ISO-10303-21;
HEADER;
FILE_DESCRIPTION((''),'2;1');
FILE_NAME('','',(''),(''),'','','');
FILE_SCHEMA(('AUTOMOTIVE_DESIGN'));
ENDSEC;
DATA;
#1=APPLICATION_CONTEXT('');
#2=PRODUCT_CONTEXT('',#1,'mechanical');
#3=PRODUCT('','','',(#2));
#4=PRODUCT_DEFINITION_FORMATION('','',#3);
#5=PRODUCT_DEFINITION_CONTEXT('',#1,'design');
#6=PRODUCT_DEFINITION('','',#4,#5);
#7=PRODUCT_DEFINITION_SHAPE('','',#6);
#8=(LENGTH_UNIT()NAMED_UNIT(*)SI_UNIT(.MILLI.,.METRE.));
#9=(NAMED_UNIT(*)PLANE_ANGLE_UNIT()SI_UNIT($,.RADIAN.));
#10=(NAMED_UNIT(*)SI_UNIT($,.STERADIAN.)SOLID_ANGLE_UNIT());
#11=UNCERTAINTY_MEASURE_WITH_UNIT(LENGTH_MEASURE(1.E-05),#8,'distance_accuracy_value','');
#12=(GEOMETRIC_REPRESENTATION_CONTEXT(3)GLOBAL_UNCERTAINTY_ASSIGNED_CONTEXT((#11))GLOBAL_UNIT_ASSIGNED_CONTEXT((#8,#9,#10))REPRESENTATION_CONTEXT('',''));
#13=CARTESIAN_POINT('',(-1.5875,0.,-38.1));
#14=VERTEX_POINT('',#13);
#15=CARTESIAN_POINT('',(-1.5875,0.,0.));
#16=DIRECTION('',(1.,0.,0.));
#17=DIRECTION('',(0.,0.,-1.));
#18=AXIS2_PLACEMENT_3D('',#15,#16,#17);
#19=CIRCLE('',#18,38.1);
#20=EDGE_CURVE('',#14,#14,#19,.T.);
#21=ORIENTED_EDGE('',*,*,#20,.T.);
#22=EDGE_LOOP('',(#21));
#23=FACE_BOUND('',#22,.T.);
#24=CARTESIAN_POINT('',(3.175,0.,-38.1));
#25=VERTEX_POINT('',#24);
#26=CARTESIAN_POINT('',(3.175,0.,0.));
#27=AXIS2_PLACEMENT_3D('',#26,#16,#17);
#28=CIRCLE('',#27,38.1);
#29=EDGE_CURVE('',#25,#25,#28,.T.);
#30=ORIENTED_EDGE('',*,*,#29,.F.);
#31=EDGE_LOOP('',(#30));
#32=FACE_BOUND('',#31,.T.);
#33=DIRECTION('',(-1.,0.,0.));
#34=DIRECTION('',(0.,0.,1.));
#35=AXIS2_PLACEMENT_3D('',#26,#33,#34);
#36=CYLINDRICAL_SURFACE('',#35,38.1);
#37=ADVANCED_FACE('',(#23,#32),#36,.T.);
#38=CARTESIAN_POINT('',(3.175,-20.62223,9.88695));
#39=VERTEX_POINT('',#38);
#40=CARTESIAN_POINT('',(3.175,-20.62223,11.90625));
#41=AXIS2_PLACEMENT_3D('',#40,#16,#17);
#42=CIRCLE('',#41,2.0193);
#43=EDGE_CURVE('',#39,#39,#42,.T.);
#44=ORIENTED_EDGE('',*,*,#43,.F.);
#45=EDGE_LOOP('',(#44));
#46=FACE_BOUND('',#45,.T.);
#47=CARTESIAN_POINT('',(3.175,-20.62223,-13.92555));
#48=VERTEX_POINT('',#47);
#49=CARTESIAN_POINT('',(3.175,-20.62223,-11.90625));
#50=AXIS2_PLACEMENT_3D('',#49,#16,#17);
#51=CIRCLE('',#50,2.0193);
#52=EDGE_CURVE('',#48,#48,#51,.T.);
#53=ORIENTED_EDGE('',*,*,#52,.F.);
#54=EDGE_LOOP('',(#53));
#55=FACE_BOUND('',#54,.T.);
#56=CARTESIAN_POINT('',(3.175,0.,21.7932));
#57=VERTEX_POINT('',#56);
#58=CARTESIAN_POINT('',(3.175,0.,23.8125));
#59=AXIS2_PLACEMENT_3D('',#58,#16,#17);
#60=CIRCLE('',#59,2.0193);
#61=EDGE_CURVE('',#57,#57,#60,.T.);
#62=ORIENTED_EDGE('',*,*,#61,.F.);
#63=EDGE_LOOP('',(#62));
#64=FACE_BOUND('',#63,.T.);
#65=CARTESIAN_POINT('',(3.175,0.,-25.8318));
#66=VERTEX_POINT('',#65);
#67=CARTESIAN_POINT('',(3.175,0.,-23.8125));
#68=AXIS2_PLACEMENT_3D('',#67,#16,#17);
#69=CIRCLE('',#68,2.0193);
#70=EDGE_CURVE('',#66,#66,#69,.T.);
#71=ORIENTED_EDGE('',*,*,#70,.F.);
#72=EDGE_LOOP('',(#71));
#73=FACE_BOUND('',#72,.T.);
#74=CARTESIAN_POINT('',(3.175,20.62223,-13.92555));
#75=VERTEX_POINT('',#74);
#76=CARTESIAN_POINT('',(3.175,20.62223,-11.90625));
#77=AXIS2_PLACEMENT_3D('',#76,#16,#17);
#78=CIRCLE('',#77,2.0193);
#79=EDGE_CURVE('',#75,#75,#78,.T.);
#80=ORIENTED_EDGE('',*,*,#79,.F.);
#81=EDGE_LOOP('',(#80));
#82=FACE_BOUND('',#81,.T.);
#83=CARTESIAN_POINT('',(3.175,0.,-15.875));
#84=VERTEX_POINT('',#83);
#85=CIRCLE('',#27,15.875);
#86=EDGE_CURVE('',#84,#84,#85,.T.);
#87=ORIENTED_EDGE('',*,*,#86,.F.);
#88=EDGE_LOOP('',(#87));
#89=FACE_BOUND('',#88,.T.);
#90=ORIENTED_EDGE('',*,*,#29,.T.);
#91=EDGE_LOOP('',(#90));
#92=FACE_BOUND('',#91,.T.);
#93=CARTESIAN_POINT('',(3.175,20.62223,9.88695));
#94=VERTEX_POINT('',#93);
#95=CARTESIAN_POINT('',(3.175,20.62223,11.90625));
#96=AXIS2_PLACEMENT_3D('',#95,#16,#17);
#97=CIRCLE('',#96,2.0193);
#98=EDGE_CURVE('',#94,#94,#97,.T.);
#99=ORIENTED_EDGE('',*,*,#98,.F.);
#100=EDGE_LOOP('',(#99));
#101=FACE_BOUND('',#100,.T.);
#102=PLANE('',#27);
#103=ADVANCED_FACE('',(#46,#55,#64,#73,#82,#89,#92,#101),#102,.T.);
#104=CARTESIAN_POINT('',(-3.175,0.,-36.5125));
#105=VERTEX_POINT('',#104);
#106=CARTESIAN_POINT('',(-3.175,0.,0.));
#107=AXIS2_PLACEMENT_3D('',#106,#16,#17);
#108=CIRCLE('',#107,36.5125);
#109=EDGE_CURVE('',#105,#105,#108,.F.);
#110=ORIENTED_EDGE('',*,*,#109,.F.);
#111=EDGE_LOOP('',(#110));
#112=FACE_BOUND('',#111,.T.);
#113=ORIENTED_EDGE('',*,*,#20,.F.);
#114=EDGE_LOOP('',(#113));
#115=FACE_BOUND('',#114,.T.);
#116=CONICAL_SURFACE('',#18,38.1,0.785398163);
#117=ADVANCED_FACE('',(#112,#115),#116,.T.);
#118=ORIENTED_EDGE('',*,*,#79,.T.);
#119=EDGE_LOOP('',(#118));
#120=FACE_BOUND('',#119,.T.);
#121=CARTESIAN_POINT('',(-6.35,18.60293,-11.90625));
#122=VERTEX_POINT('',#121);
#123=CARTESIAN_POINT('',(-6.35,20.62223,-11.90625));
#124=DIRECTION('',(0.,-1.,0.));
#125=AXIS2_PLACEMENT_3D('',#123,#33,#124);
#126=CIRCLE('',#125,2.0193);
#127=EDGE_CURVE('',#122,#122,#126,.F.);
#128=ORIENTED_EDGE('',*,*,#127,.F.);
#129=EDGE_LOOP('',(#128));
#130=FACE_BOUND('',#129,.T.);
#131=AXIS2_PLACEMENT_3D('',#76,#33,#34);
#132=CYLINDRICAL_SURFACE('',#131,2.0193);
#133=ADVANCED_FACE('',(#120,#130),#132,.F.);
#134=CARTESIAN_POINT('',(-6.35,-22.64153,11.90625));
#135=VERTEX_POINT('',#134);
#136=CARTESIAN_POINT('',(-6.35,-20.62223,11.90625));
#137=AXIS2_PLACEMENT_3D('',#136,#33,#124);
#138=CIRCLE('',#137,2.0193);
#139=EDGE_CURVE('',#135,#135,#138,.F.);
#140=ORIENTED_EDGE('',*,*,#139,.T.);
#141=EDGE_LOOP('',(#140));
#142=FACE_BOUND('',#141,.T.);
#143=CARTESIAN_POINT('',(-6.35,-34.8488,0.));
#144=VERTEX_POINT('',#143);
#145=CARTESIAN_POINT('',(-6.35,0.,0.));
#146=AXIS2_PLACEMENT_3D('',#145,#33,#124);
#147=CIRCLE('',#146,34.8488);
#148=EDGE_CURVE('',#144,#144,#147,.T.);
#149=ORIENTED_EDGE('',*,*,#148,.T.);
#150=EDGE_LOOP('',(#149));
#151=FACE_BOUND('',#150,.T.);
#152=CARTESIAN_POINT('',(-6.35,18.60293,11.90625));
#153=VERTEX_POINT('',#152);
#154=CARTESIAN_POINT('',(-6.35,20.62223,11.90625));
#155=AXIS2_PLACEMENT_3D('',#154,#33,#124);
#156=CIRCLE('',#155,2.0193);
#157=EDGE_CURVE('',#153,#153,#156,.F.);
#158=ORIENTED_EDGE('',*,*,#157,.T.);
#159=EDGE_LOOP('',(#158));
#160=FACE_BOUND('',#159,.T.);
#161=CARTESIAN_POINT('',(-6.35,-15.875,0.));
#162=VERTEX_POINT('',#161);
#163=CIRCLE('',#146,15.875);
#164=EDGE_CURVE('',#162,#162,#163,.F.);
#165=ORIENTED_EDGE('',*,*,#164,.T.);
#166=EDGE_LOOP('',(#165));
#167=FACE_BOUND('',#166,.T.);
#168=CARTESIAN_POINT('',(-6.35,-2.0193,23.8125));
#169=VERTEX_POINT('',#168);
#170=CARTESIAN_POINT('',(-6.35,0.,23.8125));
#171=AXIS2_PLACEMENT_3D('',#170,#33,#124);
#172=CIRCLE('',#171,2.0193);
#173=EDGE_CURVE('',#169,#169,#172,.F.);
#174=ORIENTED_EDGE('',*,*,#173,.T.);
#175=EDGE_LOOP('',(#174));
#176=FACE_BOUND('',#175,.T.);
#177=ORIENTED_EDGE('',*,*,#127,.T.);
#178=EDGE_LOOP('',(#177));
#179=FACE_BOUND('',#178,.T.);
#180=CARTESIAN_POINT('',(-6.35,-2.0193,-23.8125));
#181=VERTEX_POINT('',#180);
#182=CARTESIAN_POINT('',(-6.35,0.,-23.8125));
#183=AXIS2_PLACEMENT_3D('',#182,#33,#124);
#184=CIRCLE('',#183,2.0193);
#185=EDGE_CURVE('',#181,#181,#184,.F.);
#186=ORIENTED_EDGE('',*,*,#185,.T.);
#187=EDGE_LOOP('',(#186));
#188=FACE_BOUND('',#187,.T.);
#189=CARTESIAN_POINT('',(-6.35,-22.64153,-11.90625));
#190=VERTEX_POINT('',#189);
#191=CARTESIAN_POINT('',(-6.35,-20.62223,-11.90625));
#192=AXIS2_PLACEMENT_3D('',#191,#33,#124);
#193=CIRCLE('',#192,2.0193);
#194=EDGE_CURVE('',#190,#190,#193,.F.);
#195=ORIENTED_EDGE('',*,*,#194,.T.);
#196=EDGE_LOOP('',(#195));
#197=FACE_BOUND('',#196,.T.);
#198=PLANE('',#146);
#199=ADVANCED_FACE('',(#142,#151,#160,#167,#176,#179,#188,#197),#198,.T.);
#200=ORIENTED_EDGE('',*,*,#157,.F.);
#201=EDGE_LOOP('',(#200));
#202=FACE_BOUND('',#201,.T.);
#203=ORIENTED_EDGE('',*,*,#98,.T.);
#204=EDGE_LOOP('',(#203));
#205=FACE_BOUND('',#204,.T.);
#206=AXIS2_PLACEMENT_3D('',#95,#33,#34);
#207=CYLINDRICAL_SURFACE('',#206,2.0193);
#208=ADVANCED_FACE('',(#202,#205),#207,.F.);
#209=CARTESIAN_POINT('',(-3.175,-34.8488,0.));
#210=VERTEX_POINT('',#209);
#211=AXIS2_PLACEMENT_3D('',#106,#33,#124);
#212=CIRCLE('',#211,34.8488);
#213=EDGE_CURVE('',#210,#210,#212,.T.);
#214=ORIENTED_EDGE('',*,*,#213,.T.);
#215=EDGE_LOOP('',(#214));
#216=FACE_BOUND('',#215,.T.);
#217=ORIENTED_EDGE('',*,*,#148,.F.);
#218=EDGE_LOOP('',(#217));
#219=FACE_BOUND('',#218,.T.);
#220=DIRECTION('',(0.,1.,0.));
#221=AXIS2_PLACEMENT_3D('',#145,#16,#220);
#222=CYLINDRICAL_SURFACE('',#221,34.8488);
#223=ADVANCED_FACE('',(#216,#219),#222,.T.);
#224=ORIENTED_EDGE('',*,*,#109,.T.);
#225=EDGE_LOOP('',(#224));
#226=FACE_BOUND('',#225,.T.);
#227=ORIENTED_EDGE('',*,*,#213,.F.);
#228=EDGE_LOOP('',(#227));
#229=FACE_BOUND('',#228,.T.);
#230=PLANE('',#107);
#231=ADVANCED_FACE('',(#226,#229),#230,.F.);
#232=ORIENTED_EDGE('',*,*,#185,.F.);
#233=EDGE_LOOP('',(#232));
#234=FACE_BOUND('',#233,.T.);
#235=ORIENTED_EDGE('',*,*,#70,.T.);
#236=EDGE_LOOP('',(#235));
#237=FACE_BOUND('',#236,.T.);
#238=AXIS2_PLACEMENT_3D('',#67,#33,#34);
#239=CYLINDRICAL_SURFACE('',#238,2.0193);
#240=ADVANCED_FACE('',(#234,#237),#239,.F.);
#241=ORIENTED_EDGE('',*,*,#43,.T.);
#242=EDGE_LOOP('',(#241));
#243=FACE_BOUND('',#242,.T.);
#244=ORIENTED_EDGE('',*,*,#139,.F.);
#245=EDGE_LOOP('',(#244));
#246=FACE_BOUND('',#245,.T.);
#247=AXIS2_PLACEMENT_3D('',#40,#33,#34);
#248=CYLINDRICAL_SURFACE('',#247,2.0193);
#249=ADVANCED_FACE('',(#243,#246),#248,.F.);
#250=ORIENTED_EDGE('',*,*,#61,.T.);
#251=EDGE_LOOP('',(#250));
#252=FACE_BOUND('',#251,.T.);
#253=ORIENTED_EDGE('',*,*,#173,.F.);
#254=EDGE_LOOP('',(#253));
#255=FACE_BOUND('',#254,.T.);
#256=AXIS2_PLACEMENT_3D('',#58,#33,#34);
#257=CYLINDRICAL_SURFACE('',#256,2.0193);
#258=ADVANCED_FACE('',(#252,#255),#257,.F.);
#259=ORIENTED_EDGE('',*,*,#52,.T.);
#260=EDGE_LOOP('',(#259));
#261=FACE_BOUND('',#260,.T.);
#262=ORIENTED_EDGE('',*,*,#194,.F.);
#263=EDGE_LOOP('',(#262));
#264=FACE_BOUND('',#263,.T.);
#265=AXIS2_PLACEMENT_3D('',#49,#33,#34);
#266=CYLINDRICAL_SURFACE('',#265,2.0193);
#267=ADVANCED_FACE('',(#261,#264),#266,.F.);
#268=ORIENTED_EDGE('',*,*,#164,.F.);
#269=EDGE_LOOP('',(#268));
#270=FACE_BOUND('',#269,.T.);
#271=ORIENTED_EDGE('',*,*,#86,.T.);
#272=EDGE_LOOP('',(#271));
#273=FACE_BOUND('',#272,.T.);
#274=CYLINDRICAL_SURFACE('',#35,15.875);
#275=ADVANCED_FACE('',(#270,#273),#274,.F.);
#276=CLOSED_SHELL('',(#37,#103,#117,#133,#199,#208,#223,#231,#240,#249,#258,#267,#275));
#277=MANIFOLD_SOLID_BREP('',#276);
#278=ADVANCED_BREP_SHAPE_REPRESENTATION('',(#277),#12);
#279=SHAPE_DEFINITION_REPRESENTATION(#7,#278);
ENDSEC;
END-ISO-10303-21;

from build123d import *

# Parameters (mm, degrees)
SKETCH1_R           = 38.1
SKETCH1_R_2         = 15.875
SKETCH1_R_3         = 2.0193
BOSS_EXTRUDE1_DEPTH = 3.175
BOSS_EXTRUDE2_START = 3.175
SKETCH2_R           = 34.8488
SKETCH2_R_2         = 2.0193
SKETCH2_R_3         = 15.875
BOSS_EXTRUDE2_DEPTH = 3.175
CHAMFER1_SIZE       = 1.5875


with BuildPart() as part:
    # Sketch1 → Boss-Extrude1 (new, symmetric)
    with BuildSketch(Plane(origin=(0, 0, 0), x_dir=(0, 0, -1), z_dir=(1, 0, 0))):
        Circle(SKETCH1_R)
        Circle(SKETCH1_R_2, mode=Mode.SUBTRACT)
        with Locations((11.90625, 20.622229928)):
            Circle(SKETCH1_R_3, mode=Mode.SUBTRACT)
        with Locations((23.8125, 0)):
            Circle(SKETCH1_R_3, mode=Mode.SUBTRACT)
        with Locations((11.90625, -20.622229928)):
            Circle(SKETCH1_R_3, mode=Mode.SUBTRACT)
        with Locations((-11.90625, -20.622229928)):
            Circle(SKETCH1_R_3, mode=Mode.SUBTRACT)
        with Locations((-23.8125, 0)):
            Circle(SKETCH1_R_3, mode=Mode.SUBTRACT)
        with Locations((-11.90625, 20.622229928)):
            Circle(SKETCH1_R_3, mode=Mode.SUBTRACT)
    extrude(amount=BOSS_EXTRUDE1_DEPTH, both=True)

    # Sketch2 → Boss-Extrude2 (add)
    with BuildSketch(Plane.ZY.offset(3.175).offset(BOSS_EXTRUDE2_START)):
        with Locations(Location((0, 0, 0), (0, 0, 270))):
            Circle(SKETCH2_R)
        with Locations(Location((-11.90625, 20.622229928, 0), (0, 0, 270))):
            Circle(SKETCH2_R_2, mode=Mode.SUBTRACT)
        with Locations(Location((-11.90625, -20.622229928, 0), (0, 0, 270))):
            Circle(SKETCH2_R_2, mode=Mode.SUBTRACT)
        with Locations(Location((23.8125, 0, 0), (0, 0, 270))):
            Circle(SKETCH2_R_2, mode=Mode.SUBTRACT)
        with Locations(Location((11.90625, 20.622229928, 0), (0, 0, 270))):
            Circle(SKETCH2_R_2, mode=Mode.SUBTRACT)
        with Locations(Location((11.90625, -20.622229928, 0), (0, 0, 270))):
            Circle(SKETCH2_R_2, mode=Mode.SUBTRACT)
        with Locations(Location((-23.8125, 0, 0), (0, 0, 270))):
            Circle(SKETCH2_R_2, mode=Mode.SUBTRACT)
        with Locations(Location((0, 0, 0), (0, 0, 270))):
            Circle(SKETCH2_R_3, mode=Mode.SUBTRACT)
    extrude(amount=-BOSS_EXTRUDE2_DEPTH)

    # Chamfer1
    chamfer1_edges = [part.edges().sort_by_distance(p)[0] for p in [
        (-3.175, 0, 38.1),
    ]]
    chamfer(chamfer1_edges, length=CHAMFER1_SIZE)


solid = part.part
